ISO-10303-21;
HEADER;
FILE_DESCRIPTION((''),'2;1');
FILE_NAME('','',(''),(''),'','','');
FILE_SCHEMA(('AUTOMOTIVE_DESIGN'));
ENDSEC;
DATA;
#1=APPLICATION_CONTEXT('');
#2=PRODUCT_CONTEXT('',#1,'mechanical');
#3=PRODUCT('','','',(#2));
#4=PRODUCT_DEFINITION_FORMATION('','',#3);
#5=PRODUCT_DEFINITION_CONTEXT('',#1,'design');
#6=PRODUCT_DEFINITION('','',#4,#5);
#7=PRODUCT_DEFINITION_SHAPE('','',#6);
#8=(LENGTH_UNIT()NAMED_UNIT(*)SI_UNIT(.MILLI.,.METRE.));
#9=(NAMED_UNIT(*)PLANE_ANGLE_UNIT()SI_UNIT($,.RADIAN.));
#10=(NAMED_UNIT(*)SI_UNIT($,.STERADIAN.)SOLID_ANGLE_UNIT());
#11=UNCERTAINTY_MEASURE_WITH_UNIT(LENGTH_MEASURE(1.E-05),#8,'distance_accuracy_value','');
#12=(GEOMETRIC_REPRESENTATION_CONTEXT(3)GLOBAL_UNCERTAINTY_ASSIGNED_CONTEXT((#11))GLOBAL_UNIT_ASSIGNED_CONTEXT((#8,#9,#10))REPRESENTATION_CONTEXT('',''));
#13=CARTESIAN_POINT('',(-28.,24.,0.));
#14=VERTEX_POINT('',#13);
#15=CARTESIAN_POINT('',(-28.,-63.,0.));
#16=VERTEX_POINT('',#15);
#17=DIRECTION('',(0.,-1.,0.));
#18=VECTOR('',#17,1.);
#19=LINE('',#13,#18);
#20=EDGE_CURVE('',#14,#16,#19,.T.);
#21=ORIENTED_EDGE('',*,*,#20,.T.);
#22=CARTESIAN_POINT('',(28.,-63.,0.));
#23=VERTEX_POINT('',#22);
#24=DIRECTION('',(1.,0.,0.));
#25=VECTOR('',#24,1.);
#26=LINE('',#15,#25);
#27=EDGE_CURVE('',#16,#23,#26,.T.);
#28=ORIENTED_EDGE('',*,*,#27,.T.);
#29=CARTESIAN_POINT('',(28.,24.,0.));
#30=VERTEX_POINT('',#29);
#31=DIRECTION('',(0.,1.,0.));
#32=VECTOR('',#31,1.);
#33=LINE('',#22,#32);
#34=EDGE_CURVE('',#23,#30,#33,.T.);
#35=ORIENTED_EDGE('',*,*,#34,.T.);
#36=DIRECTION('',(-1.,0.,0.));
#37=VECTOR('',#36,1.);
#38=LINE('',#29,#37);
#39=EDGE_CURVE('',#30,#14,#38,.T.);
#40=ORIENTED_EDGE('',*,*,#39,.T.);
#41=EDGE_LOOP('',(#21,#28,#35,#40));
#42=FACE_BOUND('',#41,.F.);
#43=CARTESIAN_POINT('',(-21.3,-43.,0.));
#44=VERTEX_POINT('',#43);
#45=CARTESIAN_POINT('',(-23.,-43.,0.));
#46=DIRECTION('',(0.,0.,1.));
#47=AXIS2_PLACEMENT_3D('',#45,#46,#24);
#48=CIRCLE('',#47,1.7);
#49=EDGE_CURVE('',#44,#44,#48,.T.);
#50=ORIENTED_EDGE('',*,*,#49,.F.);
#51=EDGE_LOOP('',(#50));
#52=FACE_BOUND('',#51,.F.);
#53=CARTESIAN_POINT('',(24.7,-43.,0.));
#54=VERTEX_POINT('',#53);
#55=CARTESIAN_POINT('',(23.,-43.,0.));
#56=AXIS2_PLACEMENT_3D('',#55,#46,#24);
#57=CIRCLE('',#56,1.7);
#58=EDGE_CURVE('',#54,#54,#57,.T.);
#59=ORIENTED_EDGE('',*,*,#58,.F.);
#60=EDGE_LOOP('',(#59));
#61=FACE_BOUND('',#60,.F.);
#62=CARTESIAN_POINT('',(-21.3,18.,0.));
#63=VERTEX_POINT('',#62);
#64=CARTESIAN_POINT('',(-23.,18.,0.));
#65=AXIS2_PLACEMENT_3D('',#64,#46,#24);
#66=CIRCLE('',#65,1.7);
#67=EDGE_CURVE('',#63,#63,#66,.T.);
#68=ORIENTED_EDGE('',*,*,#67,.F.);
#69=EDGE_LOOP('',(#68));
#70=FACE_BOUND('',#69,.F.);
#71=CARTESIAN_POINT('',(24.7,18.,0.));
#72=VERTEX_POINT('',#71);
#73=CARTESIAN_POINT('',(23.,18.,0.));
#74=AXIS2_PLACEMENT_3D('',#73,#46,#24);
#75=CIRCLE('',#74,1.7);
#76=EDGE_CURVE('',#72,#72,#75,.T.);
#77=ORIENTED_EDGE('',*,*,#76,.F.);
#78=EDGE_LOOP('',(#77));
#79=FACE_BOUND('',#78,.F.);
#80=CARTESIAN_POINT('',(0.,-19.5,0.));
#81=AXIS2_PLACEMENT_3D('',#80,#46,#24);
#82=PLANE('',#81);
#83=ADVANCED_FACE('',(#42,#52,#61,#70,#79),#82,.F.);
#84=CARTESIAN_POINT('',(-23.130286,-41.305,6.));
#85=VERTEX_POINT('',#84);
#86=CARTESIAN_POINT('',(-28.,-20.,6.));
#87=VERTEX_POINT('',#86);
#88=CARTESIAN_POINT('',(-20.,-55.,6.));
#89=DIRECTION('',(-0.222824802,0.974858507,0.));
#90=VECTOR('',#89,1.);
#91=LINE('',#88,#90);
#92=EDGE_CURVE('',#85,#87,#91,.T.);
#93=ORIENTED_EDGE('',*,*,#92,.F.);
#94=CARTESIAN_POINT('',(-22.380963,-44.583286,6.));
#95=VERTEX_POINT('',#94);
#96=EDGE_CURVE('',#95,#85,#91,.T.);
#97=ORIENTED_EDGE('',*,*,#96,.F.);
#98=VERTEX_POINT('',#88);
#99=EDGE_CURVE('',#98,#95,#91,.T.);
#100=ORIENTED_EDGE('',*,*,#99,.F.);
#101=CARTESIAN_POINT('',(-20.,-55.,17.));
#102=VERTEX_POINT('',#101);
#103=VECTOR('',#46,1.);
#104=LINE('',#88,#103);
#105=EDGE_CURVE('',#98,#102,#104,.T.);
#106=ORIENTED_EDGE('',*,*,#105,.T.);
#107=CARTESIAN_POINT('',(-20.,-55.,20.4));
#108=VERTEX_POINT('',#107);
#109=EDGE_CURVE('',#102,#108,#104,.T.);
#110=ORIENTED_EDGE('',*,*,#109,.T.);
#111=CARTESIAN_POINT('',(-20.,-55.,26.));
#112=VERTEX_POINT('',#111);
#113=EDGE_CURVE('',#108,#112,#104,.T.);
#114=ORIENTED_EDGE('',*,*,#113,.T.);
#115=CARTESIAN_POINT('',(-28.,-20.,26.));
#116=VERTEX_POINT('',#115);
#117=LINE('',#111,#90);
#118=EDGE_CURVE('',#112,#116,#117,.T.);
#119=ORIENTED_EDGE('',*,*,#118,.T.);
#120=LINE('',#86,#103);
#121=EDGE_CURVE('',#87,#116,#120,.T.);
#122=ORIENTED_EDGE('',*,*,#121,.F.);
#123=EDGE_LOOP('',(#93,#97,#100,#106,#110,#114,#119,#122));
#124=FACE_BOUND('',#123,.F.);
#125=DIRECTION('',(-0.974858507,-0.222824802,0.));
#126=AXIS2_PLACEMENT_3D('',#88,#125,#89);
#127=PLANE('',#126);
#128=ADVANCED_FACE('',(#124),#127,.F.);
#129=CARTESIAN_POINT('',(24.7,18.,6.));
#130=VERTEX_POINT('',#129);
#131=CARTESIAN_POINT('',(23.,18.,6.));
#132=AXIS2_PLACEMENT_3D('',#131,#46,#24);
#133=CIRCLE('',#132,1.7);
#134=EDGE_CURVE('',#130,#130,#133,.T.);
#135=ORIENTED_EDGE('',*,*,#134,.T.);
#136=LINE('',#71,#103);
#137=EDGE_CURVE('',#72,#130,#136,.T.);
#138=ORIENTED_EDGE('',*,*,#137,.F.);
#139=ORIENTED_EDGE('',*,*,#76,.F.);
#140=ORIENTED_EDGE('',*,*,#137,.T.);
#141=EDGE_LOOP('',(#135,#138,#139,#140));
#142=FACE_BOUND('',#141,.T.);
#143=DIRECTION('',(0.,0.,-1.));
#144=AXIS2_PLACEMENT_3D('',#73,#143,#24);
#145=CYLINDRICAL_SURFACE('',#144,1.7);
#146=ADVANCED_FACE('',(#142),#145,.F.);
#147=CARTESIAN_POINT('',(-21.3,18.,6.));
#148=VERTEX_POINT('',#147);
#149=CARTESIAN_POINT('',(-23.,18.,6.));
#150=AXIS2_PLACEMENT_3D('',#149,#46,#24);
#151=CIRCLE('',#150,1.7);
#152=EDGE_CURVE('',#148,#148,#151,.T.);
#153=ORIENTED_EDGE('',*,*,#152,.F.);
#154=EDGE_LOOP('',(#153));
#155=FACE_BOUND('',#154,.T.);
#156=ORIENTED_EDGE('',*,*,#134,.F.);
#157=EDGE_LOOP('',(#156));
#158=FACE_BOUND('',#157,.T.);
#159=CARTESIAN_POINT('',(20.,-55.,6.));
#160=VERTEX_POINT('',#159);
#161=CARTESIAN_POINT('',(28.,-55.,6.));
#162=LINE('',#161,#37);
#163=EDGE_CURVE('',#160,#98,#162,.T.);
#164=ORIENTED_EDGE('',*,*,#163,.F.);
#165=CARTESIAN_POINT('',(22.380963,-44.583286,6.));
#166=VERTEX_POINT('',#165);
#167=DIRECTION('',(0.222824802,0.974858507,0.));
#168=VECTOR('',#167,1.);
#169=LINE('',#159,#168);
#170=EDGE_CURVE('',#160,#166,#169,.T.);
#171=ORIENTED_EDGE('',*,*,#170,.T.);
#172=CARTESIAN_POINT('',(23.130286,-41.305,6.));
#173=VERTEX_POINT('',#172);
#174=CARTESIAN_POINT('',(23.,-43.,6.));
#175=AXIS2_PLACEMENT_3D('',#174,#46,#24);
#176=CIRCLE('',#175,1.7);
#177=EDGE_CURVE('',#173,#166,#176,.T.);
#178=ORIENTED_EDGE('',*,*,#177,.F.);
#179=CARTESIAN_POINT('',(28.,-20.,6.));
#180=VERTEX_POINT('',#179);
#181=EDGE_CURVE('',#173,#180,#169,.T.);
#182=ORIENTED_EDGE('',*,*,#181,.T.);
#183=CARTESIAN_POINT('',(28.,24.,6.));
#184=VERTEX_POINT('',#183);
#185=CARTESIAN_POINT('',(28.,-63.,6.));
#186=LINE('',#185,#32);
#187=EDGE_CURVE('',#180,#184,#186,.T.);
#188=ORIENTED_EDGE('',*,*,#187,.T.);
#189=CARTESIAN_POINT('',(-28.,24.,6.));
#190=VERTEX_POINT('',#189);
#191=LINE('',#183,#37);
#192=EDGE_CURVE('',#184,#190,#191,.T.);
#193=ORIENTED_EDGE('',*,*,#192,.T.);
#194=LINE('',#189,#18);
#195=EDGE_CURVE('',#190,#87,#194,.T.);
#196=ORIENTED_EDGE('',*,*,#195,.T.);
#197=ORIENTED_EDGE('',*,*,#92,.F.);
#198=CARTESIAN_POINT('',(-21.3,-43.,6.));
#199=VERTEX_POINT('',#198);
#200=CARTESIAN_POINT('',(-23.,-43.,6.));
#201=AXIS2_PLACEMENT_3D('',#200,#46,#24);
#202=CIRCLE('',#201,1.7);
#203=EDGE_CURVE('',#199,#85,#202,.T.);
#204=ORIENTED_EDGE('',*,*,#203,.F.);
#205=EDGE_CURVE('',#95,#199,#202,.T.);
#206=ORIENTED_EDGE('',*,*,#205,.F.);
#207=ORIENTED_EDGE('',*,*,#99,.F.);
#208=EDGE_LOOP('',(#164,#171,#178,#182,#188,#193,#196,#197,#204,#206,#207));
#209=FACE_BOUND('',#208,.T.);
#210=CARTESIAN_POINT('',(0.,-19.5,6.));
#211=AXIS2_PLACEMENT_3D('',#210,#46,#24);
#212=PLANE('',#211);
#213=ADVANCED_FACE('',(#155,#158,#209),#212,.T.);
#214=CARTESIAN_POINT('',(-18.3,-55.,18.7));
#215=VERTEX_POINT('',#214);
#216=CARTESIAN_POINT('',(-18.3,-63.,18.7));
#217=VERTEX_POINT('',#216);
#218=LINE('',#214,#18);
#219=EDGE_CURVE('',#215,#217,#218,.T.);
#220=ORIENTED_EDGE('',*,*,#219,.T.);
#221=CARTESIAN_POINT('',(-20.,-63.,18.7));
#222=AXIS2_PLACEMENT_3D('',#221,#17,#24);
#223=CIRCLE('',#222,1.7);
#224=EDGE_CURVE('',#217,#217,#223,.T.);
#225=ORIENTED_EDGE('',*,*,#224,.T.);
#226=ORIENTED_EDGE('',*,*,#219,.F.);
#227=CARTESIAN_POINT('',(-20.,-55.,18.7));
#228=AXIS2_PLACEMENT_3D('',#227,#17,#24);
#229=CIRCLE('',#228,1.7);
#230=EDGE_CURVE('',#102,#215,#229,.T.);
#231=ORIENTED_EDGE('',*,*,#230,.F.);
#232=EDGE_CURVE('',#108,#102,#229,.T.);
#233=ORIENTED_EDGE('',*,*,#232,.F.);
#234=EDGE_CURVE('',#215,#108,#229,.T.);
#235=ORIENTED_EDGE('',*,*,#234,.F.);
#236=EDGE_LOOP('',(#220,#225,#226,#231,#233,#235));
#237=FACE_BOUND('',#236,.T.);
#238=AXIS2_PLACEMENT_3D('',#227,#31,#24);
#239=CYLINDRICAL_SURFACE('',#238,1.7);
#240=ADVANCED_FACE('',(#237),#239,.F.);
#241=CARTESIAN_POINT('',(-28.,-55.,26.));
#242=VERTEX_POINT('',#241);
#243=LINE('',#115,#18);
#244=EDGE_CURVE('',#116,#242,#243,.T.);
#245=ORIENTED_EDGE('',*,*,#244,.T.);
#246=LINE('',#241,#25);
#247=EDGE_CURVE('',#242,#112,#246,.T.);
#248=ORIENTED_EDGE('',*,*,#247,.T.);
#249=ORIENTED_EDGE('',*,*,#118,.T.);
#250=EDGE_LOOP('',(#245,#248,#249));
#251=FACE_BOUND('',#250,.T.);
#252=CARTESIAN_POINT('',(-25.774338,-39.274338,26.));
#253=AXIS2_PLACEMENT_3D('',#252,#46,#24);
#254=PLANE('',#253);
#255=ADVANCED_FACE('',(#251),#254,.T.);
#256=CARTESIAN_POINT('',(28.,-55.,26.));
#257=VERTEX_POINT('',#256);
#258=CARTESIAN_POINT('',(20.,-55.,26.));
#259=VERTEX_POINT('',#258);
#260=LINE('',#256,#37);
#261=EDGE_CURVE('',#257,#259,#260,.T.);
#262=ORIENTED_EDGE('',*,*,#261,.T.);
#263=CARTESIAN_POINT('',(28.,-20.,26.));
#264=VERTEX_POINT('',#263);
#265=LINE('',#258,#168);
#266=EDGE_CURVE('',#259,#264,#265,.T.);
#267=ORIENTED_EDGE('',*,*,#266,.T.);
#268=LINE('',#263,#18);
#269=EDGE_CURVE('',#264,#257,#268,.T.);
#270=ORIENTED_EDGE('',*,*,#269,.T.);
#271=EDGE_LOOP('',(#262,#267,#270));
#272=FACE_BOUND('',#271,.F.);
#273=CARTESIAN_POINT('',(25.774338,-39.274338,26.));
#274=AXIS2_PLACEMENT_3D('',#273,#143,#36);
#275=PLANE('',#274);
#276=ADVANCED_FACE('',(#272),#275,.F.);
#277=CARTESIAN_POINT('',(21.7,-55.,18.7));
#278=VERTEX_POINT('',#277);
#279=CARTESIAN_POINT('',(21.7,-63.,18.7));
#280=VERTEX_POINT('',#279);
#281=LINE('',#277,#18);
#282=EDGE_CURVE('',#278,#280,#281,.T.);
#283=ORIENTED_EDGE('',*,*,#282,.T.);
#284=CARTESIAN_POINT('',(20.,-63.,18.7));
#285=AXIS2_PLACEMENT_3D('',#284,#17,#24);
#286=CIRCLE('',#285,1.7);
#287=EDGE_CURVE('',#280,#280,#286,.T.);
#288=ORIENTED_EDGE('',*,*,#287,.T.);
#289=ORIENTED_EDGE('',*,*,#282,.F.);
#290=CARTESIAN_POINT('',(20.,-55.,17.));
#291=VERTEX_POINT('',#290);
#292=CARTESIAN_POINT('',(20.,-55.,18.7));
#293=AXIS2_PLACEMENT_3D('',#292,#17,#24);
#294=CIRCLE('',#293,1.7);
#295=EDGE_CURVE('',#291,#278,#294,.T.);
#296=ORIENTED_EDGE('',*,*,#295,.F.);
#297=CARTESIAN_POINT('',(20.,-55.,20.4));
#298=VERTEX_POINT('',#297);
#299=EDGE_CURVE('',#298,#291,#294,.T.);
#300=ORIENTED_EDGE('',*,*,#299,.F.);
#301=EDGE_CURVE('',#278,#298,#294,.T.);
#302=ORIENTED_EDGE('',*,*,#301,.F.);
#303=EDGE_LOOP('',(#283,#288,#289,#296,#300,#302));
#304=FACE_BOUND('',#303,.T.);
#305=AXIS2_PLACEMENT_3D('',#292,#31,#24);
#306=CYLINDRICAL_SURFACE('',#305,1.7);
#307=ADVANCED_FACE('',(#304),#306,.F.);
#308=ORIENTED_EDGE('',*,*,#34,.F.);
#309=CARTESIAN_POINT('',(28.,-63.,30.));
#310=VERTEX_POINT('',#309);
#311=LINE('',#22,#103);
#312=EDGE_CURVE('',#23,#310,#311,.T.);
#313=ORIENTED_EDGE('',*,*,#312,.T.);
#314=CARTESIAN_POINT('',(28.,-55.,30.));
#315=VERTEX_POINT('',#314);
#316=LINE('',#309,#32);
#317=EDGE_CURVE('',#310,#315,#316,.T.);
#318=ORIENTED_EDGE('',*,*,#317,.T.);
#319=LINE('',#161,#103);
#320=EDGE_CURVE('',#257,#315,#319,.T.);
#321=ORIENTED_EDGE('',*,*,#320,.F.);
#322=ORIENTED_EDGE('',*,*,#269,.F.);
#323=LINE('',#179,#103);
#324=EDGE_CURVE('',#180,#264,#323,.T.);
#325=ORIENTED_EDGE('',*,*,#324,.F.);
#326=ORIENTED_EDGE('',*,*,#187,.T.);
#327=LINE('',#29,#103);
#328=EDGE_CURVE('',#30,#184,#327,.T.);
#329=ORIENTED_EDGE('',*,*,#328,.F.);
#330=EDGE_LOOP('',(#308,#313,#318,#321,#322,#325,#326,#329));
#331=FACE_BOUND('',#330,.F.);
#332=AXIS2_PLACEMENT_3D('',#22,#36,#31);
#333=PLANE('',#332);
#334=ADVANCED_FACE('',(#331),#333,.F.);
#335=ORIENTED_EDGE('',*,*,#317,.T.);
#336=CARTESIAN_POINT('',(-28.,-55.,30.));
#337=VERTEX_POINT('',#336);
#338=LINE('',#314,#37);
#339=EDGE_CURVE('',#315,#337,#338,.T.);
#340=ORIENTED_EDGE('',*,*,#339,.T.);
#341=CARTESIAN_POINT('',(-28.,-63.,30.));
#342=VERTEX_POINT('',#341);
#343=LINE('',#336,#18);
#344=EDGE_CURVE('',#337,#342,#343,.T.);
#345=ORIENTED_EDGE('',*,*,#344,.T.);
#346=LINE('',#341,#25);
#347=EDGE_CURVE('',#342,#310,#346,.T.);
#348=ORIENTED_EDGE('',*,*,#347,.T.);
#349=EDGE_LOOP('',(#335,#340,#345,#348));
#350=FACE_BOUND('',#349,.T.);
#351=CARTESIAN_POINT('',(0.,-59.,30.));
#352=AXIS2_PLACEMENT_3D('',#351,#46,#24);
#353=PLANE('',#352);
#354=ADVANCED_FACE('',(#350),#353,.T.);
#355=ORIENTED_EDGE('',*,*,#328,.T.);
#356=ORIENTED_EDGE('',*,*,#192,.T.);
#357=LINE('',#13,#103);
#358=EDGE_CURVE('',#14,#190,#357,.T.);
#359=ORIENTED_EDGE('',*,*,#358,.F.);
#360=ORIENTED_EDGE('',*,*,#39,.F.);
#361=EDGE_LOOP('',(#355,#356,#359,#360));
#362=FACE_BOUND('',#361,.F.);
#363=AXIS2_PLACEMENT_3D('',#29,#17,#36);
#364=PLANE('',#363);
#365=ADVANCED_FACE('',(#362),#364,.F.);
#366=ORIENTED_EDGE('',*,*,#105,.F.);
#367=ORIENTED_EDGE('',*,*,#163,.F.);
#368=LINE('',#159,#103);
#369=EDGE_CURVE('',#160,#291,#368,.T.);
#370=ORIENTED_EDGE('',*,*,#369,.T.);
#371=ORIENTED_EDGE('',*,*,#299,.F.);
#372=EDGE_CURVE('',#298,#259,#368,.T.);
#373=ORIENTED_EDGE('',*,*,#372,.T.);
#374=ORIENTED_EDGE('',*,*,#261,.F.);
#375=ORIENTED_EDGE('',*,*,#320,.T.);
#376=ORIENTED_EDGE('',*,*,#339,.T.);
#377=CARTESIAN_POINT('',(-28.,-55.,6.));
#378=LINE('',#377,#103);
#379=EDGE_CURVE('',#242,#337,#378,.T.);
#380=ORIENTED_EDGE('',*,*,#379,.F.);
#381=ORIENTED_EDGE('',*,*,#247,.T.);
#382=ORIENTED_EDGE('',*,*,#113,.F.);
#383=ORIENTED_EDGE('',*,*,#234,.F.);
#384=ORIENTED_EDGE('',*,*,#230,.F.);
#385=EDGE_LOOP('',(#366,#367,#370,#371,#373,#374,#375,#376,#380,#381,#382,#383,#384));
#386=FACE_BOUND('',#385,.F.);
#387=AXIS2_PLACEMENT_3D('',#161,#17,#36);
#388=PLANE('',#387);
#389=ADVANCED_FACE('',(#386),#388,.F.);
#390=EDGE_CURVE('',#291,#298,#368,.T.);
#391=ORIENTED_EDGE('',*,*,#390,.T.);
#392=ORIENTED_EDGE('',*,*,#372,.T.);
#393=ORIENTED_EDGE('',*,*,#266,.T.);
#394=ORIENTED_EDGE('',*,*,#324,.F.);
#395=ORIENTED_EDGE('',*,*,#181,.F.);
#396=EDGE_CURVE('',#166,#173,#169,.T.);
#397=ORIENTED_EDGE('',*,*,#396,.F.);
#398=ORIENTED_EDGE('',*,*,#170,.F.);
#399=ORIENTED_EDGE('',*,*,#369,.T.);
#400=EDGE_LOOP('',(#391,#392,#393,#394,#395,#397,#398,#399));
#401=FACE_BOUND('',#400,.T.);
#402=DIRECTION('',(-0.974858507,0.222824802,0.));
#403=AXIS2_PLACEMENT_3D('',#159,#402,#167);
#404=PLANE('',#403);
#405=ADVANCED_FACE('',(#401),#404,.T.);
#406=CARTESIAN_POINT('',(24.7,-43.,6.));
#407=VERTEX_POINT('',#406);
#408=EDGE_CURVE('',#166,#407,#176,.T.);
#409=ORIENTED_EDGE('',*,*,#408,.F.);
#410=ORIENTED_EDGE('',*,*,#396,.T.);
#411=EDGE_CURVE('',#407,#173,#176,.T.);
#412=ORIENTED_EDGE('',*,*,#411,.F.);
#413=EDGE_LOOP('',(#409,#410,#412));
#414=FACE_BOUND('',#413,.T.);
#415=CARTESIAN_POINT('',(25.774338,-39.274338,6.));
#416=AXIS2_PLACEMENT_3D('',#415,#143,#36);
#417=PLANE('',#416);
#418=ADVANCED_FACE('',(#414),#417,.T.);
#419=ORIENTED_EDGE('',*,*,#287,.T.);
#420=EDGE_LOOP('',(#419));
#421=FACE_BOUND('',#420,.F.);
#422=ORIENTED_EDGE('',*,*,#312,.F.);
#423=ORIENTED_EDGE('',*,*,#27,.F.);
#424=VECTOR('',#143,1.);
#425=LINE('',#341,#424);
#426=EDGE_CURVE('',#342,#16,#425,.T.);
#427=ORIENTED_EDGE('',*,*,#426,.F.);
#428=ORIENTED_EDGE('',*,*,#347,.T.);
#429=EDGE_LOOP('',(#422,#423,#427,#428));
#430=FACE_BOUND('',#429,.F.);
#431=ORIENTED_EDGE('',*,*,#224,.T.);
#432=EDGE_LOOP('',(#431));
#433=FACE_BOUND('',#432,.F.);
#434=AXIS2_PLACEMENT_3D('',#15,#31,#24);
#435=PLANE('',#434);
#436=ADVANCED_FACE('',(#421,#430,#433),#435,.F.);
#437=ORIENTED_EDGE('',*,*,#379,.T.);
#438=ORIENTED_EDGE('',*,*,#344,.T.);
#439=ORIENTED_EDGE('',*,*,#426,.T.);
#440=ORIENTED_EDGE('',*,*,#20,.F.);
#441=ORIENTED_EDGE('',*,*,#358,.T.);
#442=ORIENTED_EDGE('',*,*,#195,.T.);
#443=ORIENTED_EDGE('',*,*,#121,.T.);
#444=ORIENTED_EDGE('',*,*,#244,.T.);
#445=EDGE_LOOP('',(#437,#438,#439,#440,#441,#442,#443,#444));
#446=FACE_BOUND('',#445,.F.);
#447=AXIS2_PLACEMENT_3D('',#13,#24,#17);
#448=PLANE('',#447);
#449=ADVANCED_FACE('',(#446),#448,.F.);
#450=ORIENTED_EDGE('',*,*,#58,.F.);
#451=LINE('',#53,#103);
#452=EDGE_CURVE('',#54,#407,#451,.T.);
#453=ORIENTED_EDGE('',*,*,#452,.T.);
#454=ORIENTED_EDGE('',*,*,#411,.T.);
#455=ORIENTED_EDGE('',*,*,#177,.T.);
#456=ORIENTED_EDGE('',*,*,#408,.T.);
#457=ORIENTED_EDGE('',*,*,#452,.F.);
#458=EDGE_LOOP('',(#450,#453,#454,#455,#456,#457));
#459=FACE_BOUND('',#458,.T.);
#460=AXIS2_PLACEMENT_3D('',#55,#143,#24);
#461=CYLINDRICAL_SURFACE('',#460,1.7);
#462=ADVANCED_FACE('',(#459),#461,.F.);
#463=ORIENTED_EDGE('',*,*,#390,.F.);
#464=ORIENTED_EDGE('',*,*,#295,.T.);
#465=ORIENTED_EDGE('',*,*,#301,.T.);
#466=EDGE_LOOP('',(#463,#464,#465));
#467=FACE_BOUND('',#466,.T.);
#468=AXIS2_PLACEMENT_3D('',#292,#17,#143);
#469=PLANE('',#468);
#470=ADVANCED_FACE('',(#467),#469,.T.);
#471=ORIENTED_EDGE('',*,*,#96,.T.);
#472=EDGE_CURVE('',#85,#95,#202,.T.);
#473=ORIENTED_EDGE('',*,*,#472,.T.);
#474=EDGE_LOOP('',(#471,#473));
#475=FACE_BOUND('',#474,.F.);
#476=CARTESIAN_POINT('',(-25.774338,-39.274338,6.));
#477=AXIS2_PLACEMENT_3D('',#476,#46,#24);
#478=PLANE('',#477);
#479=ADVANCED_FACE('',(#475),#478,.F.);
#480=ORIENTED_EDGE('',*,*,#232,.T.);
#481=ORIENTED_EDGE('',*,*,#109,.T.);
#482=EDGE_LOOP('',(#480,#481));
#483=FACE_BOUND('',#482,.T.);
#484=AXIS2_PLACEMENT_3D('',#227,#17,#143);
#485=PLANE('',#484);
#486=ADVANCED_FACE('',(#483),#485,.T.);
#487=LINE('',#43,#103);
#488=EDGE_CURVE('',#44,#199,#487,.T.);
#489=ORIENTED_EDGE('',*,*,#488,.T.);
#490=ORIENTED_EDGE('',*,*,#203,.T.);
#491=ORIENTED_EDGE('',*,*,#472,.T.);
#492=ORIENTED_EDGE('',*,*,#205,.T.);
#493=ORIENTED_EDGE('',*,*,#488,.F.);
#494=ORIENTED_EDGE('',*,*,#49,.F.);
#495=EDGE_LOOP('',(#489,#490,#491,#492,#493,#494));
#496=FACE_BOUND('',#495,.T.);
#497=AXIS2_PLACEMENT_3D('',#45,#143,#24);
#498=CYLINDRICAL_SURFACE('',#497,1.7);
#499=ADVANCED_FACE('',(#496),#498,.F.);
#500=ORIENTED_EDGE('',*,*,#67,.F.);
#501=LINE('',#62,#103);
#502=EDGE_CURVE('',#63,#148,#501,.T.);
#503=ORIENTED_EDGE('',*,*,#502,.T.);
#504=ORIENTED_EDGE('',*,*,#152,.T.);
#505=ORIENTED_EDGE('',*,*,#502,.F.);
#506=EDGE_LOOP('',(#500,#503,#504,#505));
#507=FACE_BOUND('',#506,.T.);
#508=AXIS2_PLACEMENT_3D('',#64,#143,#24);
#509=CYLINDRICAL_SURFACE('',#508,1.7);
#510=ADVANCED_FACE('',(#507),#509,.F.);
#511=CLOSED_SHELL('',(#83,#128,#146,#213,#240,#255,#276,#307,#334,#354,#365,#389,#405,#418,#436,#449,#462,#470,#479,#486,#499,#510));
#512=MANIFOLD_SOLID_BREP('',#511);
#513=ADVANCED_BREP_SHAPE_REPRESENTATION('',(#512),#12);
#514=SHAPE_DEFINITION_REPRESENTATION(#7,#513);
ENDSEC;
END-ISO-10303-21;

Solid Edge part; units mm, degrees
sketch "Sketch1" plane through (0, 0, 0) normal (0, 0, 1) x (1, 0, 0)
  line L0 (-28, -63) -> (28, -63)
  line L1 (28, -63) -> (28, 24)
  line L2 (28, 24) -> (-28, 24)
  line L3 (-28, 24) -> (-28, -63)
  circle A0 centre (-23, -43) radius 1.7
  circle A1 centre (23, -43) radius 1.7
  circle A2 centre (-23, 18) radius 1.7
  circle A3 centre (23, 18) radius 1.7
extrude "Protrusion1" add sketch "Sketch1" along normal blind 6
sketch "Sketch2" plane through (0, 0, 6) normal (0, 0, 1) x (1, 0, 0)
  line L0 (-28, -63) -> (28, -63)
  line L1 (28, -63) -> (28, -55)
  line L2 (28, -55) -> (-28, -55)
  line L3 (-28, -55) -> (-28, -63)
extrude "ExtrudedProtrusion_2" add sketch "Sketch2" along normal blind 24
sketch "Sketch3" plane through (0, 0, 6) normal (0, 0, 1) x (1, 0, 0)
  line L0 (-28, -55) -> (-20, -55)
  line L1 (-20, -55) -> (-28, -20)
  line L2 (-28, -20) -> (-28, -55)
extrude "ExtrudedProtrusion_3" add sketch "Sketch3" along normal blind 20
sketch "Sketch4" plane through (0, 0, 6) normal (0, 0, 1) x (1, 0, 0)
  line L0 (28, -55) -> (20, -55)
  line L1 (20, -55) -> (28, -20)
  line L2 (28, -20) -> (28, -55)
extrude "ExtrudedProtrusion_4" add sketch "Sketch4" along normal blind 20
sketch "Sketch5" plane through (0, -55, 0) normal (0, -1, 0) x (1, 0, 0)
  circle A0 centre (-20, 18.7) radius 1.7
  circle A1 centre (20, 18.7) radius 1.7
extrude "ExtrudedCutout_1" cut sketch "Sketch5" along normal blind 8
